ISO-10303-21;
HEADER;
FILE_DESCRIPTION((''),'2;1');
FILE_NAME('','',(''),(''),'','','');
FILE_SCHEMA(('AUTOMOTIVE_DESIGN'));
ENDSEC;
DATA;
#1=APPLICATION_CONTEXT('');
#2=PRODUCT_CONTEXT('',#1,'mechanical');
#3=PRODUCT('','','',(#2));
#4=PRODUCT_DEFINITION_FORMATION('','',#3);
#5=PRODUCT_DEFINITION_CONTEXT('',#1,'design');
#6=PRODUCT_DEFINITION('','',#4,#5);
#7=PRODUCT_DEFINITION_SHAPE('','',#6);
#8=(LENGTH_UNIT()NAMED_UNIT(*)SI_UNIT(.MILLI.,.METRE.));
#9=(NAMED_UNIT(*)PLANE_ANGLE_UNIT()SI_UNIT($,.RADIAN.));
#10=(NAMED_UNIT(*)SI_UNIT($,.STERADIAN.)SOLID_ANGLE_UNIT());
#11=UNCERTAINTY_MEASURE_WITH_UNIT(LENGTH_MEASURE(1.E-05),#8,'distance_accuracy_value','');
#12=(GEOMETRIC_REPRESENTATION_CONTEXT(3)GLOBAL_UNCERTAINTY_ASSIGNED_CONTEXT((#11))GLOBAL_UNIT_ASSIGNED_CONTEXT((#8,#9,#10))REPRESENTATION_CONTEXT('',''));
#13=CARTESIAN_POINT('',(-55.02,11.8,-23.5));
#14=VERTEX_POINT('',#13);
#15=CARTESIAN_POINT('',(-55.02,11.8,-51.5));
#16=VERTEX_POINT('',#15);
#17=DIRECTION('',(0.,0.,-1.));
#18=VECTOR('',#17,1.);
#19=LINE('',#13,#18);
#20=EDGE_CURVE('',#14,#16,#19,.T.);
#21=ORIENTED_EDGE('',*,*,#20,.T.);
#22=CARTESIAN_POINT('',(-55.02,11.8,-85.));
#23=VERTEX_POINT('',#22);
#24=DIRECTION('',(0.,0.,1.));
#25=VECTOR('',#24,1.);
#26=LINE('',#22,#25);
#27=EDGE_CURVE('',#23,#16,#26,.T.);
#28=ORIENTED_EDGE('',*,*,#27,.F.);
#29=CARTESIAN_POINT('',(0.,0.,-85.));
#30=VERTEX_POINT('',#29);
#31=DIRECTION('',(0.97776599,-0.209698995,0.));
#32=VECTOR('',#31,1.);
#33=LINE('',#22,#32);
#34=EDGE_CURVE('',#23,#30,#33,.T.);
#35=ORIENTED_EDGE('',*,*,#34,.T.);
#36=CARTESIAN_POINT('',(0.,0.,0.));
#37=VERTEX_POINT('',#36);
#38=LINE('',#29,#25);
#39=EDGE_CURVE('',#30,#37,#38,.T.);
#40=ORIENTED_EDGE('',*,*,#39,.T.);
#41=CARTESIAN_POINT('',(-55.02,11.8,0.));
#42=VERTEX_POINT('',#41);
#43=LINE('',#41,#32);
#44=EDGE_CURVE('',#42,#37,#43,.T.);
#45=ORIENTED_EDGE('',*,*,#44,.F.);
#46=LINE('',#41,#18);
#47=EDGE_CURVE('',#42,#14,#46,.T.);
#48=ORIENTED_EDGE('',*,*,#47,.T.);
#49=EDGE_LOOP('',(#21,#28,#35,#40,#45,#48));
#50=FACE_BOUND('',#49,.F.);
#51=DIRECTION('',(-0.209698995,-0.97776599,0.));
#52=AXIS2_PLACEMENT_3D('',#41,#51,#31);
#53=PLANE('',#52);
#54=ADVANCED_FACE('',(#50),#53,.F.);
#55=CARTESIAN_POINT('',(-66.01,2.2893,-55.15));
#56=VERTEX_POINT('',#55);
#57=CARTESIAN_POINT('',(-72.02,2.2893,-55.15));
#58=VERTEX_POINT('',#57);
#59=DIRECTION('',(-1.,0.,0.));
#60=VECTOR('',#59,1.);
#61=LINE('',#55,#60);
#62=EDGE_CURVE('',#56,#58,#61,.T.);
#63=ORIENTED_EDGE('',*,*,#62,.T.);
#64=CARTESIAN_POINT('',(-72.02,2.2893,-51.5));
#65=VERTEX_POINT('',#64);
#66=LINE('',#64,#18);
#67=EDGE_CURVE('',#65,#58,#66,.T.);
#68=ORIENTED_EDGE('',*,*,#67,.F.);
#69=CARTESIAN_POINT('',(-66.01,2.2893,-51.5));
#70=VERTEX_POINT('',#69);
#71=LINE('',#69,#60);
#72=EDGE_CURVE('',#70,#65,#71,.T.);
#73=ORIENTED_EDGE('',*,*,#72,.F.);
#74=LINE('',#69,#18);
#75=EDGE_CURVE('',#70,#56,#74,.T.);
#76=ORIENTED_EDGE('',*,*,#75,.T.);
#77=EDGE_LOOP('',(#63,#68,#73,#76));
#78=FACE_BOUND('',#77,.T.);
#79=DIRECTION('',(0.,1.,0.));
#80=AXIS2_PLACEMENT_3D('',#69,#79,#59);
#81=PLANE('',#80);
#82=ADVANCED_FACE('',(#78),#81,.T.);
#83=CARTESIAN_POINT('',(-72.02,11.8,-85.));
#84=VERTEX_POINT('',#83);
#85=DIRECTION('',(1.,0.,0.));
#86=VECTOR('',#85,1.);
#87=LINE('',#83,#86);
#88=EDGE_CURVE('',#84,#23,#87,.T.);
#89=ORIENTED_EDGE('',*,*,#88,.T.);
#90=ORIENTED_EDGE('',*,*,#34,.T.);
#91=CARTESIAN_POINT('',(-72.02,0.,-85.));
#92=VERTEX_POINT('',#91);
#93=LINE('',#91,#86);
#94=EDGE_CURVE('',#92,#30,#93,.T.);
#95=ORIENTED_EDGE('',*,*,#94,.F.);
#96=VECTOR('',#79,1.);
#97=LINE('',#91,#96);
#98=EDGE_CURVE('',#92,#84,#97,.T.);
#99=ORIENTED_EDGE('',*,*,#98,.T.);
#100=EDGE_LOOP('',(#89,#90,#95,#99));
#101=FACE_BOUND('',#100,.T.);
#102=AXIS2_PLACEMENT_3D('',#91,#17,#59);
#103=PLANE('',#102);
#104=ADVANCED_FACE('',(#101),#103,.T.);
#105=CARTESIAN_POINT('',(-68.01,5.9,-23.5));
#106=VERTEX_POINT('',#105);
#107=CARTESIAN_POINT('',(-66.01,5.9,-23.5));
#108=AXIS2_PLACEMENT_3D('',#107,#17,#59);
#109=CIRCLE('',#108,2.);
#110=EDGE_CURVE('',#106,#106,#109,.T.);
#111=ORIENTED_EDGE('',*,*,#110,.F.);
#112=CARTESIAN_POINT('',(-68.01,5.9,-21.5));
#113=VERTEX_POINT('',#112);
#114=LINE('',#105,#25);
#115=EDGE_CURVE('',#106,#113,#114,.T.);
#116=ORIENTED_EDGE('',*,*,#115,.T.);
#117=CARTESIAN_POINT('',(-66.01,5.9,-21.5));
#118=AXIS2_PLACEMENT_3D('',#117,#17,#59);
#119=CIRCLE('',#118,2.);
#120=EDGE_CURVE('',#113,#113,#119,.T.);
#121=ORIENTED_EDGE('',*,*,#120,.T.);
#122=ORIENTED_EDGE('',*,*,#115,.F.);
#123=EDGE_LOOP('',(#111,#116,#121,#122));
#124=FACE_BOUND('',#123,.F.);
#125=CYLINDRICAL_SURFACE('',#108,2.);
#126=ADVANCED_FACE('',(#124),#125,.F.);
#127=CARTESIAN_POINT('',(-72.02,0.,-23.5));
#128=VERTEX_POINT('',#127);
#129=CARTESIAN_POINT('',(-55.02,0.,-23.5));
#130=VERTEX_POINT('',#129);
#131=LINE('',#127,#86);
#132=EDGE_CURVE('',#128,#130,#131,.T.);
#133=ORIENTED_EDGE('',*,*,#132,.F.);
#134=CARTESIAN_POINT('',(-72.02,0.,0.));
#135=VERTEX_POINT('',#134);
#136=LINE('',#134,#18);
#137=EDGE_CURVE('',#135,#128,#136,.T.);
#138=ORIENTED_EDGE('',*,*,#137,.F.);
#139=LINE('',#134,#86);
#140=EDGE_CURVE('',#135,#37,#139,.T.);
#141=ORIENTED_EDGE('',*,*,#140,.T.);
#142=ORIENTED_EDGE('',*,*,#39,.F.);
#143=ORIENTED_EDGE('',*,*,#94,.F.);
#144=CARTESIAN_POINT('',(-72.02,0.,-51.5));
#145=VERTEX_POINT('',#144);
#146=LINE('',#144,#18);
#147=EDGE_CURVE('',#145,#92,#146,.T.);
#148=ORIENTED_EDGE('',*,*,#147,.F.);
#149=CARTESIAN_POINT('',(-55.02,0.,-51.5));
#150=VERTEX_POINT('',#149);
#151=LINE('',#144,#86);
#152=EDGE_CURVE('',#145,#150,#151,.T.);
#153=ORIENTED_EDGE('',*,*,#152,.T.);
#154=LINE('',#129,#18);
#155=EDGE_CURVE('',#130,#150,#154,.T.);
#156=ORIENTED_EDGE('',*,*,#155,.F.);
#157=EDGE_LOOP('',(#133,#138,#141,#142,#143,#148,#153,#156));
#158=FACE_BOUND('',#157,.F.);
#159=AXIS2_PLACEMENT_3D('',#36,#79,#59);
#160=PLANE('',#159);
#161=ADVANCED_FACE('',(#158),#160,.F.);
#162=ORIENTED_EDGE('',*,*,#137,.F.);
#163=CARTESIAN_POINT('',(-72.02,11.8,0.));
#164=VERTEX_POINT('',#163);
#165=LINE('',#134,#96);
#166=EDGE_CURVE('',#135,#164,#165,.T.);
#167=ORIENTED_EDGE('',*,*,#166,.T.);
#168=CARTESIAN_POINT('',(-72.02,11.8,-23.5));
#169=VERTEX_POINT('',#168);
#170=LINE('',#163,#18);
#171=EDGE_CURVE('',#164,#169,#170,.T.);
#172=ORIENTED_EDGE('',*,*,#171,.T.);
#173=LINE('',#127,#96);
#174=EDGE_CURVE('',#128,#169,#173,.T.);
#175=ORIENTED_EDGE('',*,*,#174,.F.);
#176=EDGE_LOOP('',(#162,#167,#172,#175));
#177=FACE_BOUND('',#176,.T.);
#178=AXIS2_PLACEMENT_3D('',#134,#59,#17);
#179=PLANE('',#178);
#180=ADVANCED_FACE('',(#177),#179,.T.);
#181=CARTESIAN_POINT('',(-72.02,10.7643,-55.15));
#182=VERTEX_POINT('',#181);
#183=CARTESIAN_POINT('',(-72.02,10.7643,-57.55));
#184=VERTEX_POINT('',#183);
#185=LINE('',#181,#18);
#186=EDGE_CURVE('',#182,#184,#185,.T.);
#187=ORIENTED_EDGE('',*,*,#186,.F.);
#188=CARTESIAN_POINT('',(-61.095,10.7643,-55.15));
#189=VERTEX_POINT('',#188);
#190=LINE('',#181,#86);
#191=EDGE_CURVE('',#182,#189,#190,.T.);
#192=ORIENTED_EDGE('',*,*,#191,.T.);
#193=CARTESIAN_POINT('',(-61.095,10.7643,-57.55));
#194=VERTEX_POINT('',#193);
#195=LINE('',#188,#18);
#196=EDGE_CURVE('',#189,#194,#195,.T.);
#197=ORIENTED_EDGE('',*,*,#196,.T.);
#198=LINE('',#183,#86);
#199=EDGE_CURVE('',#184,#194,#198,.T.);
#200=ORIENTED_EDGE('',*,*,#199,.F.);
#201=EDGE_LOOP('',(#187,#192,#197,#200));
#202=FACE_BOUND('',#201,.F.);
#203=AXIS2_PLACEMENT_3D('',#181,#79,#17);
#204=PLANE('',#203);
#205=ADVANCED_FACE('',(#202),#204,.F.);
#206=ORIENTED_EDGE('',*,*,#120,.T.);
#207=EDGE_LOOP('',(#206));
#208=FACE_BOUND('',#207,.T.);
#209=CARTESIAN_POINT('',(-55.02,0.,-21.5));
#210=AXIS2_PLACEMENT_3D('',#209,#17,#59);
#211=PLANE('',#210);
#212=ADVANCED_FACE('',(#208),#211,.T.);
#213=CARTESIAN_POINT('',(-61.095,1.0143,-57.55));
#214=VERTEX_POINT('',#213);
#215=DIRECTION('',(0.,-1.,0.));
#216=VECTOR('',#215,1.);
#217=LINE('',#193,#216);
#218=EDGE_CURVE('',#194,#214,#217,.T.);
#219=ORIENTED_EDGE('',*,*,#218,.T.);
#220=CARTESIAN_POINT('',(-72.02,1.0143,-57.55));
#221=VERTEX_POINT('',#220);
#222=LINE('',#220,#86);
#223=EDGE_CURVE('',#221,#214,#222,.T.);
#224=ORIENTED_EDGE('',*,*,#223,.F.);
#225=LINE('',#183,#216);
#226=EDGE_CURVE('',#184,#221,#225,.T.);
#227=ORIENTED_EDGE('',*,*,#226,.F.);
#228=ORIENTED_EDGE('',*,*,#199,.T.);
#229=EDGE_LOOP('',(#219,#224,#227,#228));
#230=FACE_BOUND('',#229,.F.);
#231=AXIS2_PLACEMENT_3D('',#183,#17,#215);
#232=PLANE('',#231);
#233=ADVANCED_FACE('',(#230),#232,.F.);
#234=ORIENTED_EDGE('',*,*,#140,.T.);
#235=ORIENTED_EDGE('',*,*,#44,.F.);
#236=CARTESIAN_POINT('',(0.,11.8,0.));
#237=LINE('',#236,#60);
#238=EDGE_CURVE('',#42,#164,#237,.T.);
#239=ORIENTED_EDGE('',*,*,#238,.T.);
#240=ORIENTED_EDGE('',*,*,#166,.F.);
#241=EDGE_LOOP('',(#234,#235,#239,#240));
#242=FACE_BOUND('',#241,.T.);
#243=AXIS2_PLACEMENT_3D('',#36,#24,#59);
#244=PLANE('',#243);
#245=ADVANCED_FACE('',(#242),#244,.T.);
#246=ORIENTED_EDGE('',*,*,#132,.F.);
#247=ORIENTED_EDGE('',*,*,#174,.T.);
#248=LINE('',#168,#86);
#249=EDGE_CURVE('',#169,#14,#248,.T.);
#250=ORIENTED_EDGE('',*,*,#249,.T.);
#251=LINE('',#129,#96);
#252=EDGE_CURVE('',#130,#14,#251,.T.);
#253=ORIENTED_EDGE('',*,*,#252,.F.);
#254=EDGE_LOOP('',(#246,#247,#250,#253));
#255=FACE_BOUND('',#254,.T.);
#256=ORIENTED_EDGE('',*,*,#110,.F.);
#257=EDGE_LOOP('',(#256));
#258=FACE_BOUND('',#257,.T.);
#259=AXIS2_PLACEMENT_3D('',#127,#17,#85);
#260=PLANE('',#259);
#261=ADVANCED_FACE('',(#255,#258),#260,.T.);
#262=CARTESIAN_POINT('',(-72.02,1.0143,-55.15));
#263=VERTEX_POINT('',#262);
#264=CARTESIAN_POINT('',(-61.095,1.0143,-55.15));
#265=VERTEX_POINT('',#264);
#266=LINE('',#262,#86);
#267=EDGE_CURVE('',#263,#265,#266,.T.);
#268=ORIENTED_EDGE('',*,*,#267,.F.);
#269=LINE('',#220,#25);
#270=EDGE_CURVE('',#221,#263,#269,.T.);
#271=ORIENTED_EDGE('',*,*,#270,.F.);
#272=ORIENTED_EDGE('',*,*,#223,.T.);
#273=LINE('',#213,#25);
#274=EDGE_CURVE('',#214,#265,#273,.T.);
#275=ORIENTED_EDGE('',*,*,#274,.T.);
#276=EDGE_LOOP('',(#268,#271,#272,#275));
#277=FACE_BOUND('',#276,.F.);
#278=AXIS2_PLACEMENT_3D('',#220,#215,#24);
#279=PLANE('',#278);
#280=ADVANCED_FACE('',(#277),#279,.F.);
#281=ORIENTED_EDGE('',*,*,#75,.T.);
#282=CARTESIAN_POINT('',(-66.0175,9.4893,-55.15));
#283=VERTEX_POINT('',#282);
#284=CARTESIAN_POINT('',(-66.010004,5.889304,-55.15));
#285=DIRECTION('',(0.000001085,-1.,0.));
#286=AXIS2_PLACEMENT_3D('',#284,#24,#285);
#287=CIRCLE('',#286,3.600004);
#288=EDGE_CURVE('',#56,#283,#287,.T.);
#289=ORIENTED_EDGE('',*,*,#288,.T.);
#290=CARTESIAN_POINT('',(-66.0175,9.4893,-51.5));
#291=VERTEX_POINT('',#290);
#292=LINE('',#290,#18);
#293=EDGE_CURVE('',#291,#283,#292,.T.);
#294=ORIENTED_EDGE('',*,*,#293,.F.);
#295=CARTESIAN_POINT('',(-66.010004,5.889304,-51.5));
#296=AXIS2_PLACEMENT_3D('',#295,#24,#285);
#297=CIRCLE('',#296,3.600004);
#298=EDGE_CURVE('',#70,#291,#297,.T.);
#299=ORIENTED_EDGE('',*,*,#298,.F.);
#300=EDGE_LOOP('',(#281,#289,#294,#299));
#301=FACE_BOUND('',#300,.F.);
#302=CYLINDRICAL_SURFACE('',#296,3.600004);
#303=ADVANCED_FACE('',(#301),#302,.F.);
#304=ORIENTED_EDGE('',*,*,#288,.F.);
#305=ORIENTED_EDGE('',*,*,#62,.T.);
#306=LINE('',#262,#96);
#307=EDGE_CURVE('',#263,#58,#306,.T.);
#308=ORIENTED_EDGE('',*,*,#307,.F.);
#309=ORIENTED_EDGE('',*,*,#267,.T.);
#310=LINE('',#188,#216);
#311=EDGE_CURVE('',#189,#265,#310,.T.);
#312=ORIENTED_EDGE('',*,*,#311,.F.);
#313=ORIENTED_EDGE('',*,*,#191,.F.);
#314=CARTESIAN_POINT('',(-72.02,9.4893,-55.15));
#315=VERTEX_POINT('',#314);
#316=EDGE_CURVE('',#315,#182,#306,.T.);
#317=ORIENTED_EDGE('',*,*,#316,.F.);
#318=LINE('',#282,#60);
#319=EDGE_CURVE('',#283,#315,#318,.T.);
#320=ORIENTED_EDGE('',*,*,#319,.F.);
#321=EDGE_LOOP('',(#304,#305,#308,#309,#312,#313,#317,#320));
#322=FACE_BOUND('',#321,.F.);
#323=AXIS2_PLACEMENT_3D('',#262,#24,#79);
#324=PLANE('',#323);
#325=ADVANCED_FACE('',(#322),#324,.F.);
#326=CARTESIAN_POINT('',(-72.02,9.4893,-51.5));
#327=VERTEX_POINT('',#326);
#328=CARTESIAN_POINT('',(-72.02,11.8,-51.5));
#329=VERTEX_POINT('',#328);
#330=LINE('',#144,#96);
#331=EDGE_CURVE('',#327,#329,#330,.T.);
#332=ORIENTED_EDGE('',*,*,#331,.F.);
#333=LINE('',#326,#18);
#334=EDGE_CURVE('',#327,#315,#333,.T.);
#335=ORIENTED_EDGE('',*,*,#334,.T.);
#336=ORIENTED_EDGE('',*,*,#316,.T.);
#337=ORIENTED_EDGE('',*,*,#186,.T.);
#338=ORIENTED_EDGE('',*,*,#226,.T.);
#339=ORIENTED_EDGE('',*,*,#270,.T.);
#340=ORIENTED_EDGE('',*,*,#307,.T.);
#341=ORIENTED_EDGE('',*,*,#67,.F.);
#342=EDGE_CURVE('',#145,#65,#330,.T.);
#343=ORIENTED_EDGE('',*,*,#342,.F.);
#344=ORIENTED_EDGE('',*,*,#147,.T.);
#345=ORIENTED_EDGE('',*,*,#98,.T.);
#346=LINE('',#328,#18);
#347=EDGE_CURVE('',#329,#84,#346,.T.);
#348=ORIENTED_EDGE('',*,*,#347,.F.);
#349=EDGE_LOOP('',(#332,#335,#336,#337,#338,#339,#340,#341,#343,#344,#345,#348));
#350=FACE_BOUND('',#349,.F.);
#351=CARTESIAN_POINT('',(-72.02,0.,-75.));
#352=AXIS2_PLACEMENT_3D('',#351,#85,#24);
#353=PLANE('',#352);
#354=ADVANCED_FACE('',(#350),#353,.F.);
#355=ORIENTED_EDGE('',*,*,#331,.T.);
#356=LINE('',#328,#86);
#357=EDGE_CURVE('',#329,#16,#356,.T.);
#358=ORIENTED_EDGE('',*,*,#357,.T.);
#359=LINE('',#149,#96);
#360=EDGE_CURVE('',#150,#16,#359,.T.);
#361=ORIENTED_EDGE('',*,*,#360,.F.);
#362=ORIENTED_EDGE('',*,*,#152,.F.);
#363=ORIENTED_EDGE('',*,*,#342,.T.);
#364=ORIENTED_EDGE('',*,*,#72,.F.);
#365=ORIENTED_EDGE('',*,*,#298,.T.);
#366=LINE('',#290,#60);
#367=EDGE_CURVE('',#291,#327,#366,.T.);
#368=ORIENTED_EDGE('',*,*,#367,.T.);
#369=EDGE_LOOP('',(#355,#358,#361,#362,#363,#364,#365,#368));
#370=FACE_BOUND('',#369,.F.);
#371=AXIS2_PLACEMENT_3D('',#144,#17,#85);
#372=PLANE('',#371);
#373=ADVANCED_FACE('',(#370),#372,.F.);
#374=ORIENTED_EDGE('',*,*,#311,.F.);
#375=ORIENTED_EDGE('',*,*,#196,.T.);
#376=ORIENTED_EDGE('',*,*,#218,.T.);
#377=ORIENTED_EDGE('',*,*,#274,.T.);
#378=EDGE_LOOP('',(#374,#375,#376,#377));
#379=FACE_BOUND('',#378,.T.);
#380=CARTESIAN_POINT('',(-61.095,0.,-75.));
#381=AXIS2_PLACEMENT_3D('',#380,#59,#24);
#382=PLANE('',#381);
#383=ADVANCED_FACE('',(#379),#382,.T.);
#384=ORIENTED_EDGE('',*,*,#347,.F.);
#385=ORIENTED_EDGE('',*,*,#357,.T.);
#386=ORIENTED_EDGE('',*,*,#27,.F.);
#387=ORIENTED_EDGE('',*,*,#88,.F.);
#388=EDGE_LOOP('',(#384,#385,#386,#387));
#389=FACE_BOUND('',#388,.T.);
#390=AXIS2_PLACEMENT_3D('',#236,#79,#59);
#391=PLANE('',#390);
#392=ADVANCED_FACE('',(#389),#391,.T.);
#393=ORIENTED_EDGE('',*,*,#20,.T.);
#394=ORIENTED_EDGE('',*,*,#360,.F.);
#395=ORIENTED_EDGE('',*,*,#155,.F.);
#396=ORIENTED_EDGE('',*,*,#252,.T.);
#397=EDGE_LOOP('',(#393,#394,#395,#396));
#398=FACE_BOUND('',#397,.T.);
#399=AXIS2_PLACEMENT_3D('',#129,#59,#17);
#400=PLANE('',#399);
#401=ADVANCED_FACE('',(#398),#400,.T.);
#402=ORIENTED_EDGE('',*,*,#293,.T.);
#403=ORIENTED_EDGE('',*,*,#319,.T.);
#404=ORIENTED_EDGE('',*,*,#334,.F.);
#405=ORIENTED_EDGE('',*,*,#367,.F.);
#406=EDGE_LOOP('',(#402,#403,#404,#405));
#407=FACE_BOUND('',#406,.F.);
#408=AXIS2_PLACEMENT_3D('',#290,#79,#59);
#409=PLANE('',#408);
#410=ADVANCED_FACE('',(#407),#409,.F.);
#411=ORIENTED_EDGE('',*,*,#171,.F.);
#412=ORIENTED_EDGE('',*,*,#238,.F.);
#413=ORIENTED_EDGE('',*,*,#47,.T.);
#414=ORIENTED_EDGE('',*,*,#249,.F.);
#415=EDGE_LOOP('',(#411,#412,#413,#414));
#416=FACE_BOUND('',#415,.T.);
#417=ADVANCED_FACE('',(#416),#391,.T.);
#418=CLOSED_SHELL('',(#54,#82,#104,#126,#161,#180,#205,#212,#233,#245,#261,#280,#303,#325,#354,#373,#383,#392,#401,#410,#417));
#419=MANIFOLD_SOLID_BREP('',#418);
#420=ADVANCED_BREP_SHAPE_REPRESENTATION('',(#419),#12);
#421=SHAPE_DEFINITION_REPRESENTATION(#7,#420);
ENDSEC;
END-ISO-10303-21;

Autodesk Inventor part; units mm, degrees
ref_plane "YZ Plane" through (0, 0, 0) normal (1, 0, 0) x (0, 1, 0)
ref_plane "XZ Plane" through (0, 0, 0) normal (0, 1, 0) x (-1, 0, 0)
ref_plane "XY Plane" through (0, 0, 0) normal (0, 0, 1) x (1, 0, 0)
sketch "Sketch1" plane through (0, 0, 0) normal (0, 1, 0) x (-1, 0, 0)
  line L0 (0, 0) -> (60, 0)
  line L1 (55.02, -23.5) -> (55.02, -51.5)
  line L2 (60, -75) -> (0, -75)
  line L3 (0, -75) -> (0, 0)
  line L4 (55.02, -23.5) -> (72.02, -23.5) construction
  line L5 (72.02, -23.5) -> (72.02, -51.5) construction
  line L6 (72.02, -51.5) -> (55.02, -51.5) construction
  line L7 (55.02, -51.5) -> (55.02, -23.5)
  line L8 (72.02, -51.5) -> (55.02, -51.5)
  line L9 (60, -75) -> (72.02, -75)
  line L10 (72.02, -75) -> (72.02, -51.5)
  line L11 (72.02, -23.5) -> (55.02, -23.5)
  line L12 (60, 0) -> (72.02, 0)
  line L13 (72.02, 0) -> (72.02, -23.5)
  point P0 (55.02, -37.5)
  point P1 (63.52, -51.5)
  point P2 (63.52, -51.5)
  dimension "d2" = 28
  dimension "d25" = 8.5
  dimension "d26" = 60
  dimension "d27" = 12.02
  dimension "d28" = 72.02
extrude "Extrusion1" add sketch "Sketch1" along normal blind 11.8
sketch "Sketch2" plane through (-55.02, 0, -23.5) normal (0, 0, -1) x (-1, 0, 0)
  circle A0 centre (10.99, 5.9) radius 2
  line L0 (17, 0) -> (17, 11.8) projected
  point P0 (-55.02, 0)
  dimension "d6" = 4
  dimension "d7" = 6.01
extrude "Extrusion2" cut sketch "Sketch2" against normal blind 2
sketch "Sketch3" plane through (-72.02, 0, -51.5) normal (0, 0, 1) x (1, 0, 0)
  arc A0 (6.01, 2.2893) -> (6.0025, 9.4893) centre (6.01, 5.8893) ccw
  line L0 (0, 0) -> (0, 11.8) projected
  line L1 (6.01, 5.8893) -> (0, 5.9) construction
  line L2 (6.0025, 9.4893) -> (0, 9.4893)
  line L3 (6.01, 2.2893) -> (0, 2.2893)
  point P0 (72.02, 0)
  point P1 (0, 9.1893)
  point P2 (0, 2.5893)
  dimension "d10" = 7.2
  dimension "d21" = 6.01
extrude "Extrusion3" cut sketch "Sketch3" against normal blind 3.65
sketch "Sketch4" plane through (-72.02, 0, -75) normal (-1, 0, 0) x (0, 0, 1)
  line L0 (19.85, 10.7643) -> (17.45, 10.7643)
  line L1 (17.45, 10.7643) -> (17.45, 1.0143)
  line L2 (17.45, 1.0143) -> (19.85, 1.0143)
  line L3 (19.85, 1.0143) -> (19.85, 10.7643)
  line L4 (19.85, 2.2893) -> (19.85, 9.4893) projected
  point P0 (75, 0)
  point P1 (19.85, 5.8893)
  point P2 (19.85, 2.5893)
  point P3 (19.85, 9.1893)
  dimension "d13" = 2.4
  dimension "d14" = 9.75
extrude "Extrusion4" cut sketch "Sketch4" against normal blind 10.925
sketch "Sketch5" plane through (-72.02, 0, 0) normal (0, 0, 1) x (1, 0, 0)
  line L0 (17, 0) -> (17, 11.8) projected
  line L1 (72.02, 11.8) -> (0, 11.8) projected
  line L2 (0, 0) -> (72.02, 0) projected
  line L3 (17, 11.8) -> (72.02, 0)
  line L4 (72.02, 0) -> (72.02, 11.8)
  line L5 (17, 11.8) -> (72.02, 11.8)
extrude "Extrusion5" cut sketch "Sketch5" against normal blind 88.5 contours L1 L4 L3
sketch "Sketch6" plane through (-72.02, 0, -75) normal (0, 0, -1) x (-1, 0, 0)
  line L0 (0, 11.8) -> (-17, 11.8)
  line L1 (-17, 11.8) -> (-72.02, 0)
  line L2 (0, 0) -> (-72.02, 0) projected
  line L3 (-72.02, 0) -> (0, 0)
  line L4 (0, 11.8) -> (-17, 11.8) projected
  line L5 (0, 0) -> (0, 11.8)
  line L6 (-17, 0) -> (-17, 11.8) projected
  line L7 (0, 11.8) -> (-17, 11.8)
  line L8 (-17, 11.8) -> (-72.02, 0)
extrude "Extrusion6" add sketch "Sketch6" along normal blind 10
properties part number "hand_left_1"
